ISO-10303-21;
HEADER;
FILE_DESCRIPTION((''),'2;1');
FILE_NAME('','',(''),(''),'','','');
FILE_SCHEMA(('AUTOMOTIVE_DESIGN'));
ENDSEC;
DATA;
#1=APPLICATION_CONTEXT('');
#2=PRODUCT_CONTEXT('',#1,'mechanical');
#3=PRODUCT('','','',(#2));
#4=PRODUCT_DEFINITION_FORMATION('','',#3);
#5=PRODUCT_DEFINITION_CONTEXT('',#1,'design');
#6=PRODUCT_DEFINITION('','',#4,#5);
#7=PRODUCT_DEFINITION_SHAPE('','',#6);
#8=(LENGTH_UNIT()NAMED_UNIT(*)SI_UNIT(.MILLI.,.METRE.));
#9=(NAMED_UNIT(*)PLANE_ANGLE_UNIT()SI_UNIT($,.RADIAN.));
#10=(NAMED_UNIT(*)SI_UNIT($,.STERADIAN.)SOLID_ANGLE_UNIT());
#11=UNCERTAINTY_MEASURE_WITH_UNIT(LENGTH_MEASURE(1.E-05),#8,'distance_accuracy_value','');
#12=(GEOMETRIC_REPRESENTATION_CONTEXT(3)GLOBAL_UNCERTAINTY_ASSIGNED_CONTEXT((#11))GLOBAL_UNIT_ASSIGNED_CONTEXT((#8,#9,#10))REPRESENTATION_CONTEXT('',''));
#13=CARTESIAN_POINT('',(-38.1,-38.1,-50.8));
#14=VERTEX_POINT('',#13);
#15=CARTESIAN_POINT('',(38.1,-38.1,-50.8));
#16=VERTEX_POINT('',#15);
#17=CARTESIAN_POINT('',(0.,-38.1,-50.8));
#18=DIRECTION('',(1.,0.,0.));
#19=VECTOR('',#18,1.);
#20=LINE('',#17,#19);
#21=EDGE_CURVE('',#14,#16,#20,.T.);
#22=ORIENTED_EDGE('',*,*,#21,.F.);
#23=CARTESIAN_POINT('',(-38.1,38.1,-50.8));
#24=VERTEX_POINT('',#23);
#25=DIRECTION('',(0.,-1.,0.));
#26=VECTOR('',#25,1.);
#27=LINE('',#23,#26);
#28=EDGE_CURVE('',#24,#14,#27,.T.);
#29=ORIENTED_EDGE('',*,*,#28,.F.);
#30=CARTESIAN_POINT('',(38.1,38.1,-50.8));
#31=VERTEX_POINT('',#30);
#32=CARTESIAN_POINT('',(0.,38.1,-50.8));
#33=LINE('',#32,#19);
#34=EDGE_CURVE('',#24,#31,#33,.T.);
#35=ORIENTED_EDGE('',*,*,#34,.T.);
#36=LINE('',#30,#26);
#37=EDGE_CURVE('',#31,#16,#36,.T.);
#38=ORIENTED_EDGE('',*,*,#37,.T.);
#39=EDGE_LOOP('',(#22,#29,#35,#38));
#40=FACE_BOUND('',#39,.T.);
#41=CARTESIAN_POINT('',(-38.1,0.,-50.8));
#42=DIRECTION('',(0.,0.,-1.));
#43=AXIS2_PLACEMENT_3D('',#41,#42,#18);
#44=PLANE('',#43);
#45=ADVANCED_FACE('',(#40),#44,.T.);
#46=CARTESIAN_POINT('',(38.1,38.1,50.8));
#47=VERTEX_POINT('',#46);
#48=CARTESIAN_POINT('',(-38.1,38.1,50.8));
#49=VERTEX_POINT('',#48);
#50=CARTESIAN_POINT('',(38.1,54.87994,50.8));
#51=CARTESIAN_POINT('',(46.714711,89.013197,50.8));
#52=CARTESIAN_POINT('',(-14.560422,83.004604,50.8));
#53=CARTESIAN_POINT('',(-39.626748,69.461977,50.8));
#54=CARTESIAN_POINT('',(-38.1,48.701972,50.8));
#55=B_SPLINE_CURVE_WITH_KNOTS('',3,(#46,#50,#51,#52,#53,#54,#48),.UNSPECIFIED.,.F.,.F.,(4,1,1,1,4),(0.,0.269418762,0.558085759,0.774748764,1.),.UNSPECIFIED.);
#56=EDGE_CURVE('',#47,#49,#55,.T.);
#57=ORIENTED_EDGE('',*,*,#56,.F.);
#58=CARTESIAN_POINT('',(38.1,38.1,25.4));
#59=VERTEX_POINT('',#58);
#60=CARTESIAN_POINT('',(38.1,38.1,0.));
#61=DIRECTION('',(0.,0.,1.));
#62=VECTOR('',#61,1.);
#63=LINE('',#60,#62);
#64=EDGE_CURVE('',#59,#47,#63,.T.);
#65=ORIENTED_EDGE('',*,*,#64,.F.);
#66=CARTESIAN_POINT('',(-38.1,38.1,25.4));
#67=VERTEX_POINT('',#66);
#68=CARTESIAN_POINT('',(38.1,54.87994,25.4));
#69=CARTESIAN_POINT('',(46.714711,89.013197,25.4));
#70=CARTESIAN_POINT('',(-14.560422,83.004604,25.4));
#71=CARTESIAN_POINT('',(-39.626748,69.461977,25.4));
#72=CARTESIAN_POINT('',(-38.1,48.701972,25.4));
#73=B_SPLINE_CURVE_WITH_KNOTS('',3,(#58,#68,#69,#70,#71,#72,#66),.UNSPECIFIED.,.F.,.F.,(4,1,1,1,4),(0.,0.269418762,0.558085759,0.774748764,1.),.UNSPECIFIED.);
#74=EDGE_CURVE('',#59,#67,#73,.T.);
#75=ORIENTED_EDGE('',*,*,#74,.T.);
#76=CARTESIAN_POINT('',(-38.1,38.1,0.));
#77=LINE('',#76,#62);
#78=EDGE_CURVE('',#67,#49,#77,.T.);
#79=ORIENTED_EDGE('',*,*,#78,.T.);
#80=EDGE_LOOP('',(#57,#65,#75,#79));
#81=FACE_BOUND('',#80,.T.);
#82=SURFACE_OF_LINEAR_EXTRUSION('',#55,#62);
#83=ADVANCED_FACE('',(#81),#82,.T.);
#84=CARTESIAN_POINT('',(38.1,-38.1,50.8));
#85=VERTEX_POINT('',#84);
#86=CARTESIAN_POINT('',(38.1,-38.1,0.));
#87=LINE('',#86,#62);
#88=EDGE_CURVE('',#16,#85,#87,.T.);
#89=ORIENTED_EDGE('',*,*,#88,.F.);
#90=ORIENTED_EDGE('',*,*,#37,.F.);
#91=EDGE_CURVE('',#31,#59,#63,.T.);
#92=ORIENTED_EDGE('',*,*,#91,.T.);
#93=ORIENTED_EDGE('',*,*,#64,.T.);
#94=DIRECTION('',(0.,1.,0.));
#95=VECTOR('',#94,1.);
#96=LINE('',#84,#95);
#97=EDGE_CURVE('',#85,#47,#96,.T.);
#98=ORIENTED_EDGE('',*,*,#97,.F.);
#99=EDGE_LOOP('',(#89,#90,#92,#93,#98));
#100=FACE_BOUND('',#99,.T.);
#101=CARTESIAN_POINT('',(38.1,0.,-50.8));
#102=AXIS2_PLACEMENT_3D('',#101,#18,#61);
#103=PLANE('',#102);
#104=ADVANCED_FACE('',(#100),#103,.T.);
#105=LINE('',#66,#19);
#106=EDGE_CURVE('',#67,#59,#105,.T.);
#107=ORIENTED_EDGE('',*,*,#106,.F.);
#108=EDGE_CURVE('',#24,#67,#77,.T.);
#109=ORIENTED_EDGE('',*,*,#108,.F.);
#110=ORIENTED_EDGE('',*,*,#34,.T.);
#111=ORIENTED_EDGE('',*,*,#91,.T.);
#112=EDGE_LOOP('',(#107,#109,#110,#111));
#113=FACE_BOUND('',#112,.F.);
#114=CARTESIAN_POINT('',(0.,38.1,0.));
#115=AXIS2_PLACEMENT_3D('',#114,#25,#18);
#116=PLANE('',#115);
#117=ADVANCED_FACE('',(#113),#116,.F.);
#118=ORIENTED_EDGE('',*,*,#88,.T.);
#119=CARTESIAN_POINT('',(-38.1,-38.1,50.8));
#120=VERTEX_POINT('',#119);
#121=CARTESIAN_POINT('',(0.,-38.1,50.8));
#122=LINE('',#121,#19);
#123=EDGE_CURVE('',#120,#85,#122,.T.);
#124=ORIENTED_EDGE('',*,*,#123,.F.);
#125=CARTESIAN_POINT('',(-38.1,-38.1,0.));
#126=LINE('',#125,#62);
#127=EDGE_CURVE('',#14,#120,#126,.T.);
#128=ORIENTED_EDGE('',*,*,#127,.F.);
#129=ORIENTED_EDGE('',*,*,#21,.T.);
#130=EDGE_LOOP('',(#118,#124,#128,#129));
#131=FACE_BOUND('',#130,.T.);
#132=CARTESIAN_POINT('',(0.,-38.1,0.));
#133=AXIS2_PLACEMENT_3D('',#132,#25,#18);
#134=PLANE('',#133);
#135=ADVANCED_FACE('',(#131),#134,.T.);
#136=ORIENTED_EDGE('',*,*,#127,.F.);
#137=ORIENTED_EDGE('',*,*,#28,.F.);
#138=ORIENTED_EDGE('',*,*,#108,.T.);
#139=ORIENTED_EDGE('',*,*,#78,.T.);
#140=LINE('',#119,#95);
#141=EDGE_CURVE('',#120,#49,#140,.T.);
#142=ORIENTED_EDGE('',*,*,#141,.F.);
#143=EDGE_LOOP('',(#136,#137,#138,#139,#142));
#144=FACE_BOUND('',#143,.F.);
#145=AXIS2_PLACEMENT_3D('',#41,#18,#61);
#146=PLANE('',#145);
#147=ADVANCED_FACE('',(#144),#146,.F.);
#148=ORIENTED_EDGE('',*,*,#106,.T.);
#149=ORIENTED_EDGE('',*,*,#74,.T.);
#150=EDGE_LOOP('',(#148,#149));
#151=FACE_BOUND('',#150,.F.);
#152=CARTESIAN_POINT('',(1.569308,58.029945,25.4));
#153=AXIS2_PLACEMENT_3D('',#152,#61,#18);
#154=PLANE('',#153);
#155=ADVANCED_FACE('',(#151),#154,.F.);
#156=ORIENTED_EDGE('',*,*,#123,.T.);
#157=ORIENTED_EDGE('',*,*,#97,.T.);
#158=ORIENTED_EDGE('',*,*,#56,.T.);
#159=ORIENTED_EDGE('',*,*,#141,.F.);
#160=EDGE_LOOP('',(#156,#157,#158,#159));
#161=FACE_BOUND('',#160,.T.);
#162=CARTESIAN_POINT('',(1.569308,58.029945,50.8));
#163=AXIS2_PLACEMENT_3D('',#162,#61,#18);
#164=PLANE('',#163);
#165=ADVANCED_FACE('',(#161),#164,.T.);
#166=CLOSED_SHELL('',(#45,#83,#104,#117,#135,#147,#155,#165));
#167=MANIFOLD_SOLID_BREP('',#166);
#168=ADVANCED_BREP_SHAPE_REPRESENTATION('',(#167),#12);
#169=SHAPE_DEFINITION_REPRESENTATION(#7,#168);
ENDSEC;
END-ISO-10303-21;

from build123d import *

# Parameters (mm, degrees)
F0_W     = 76.2
F0_H     = 101.6
F1_DEPTH = 38.1
F3_DEPTH = 25.4


with BuildPart() as f1:
    # F0 (on Front) → F1 (new body, symmetric)
    with BuildSketch(Plane.XZ):
        Rectangle(F0_W, F0_H)
    extrude(amount=F1_DEPTH, both=True)

    # F2 (on face) → F3 (join)
    with BuildSketch(Plane.XY.offset(50.8)):
        with BuildLine():
            Line((-38.1, 38.1), (38.1, 38.1))
            add(Edge.make_bspline(
                [(38.1, 38.1), (38.1, 54.8799396714), (46.7147109017, 89.0131970729), (-14.5604220618, 83.0046035668), (-39.6267479418, 69.4619774785), (-38.1, 48.7019718501), (-38.1, 38.1)],
                knots=[0, 0, 0, 0, 0.2694187621, 0.5580857593, 0.7747487645, 1, 1, 1, 1], degree=3))
        make_face()
    extrude(amount=-F3_DEPTH)


solid = f1.part
